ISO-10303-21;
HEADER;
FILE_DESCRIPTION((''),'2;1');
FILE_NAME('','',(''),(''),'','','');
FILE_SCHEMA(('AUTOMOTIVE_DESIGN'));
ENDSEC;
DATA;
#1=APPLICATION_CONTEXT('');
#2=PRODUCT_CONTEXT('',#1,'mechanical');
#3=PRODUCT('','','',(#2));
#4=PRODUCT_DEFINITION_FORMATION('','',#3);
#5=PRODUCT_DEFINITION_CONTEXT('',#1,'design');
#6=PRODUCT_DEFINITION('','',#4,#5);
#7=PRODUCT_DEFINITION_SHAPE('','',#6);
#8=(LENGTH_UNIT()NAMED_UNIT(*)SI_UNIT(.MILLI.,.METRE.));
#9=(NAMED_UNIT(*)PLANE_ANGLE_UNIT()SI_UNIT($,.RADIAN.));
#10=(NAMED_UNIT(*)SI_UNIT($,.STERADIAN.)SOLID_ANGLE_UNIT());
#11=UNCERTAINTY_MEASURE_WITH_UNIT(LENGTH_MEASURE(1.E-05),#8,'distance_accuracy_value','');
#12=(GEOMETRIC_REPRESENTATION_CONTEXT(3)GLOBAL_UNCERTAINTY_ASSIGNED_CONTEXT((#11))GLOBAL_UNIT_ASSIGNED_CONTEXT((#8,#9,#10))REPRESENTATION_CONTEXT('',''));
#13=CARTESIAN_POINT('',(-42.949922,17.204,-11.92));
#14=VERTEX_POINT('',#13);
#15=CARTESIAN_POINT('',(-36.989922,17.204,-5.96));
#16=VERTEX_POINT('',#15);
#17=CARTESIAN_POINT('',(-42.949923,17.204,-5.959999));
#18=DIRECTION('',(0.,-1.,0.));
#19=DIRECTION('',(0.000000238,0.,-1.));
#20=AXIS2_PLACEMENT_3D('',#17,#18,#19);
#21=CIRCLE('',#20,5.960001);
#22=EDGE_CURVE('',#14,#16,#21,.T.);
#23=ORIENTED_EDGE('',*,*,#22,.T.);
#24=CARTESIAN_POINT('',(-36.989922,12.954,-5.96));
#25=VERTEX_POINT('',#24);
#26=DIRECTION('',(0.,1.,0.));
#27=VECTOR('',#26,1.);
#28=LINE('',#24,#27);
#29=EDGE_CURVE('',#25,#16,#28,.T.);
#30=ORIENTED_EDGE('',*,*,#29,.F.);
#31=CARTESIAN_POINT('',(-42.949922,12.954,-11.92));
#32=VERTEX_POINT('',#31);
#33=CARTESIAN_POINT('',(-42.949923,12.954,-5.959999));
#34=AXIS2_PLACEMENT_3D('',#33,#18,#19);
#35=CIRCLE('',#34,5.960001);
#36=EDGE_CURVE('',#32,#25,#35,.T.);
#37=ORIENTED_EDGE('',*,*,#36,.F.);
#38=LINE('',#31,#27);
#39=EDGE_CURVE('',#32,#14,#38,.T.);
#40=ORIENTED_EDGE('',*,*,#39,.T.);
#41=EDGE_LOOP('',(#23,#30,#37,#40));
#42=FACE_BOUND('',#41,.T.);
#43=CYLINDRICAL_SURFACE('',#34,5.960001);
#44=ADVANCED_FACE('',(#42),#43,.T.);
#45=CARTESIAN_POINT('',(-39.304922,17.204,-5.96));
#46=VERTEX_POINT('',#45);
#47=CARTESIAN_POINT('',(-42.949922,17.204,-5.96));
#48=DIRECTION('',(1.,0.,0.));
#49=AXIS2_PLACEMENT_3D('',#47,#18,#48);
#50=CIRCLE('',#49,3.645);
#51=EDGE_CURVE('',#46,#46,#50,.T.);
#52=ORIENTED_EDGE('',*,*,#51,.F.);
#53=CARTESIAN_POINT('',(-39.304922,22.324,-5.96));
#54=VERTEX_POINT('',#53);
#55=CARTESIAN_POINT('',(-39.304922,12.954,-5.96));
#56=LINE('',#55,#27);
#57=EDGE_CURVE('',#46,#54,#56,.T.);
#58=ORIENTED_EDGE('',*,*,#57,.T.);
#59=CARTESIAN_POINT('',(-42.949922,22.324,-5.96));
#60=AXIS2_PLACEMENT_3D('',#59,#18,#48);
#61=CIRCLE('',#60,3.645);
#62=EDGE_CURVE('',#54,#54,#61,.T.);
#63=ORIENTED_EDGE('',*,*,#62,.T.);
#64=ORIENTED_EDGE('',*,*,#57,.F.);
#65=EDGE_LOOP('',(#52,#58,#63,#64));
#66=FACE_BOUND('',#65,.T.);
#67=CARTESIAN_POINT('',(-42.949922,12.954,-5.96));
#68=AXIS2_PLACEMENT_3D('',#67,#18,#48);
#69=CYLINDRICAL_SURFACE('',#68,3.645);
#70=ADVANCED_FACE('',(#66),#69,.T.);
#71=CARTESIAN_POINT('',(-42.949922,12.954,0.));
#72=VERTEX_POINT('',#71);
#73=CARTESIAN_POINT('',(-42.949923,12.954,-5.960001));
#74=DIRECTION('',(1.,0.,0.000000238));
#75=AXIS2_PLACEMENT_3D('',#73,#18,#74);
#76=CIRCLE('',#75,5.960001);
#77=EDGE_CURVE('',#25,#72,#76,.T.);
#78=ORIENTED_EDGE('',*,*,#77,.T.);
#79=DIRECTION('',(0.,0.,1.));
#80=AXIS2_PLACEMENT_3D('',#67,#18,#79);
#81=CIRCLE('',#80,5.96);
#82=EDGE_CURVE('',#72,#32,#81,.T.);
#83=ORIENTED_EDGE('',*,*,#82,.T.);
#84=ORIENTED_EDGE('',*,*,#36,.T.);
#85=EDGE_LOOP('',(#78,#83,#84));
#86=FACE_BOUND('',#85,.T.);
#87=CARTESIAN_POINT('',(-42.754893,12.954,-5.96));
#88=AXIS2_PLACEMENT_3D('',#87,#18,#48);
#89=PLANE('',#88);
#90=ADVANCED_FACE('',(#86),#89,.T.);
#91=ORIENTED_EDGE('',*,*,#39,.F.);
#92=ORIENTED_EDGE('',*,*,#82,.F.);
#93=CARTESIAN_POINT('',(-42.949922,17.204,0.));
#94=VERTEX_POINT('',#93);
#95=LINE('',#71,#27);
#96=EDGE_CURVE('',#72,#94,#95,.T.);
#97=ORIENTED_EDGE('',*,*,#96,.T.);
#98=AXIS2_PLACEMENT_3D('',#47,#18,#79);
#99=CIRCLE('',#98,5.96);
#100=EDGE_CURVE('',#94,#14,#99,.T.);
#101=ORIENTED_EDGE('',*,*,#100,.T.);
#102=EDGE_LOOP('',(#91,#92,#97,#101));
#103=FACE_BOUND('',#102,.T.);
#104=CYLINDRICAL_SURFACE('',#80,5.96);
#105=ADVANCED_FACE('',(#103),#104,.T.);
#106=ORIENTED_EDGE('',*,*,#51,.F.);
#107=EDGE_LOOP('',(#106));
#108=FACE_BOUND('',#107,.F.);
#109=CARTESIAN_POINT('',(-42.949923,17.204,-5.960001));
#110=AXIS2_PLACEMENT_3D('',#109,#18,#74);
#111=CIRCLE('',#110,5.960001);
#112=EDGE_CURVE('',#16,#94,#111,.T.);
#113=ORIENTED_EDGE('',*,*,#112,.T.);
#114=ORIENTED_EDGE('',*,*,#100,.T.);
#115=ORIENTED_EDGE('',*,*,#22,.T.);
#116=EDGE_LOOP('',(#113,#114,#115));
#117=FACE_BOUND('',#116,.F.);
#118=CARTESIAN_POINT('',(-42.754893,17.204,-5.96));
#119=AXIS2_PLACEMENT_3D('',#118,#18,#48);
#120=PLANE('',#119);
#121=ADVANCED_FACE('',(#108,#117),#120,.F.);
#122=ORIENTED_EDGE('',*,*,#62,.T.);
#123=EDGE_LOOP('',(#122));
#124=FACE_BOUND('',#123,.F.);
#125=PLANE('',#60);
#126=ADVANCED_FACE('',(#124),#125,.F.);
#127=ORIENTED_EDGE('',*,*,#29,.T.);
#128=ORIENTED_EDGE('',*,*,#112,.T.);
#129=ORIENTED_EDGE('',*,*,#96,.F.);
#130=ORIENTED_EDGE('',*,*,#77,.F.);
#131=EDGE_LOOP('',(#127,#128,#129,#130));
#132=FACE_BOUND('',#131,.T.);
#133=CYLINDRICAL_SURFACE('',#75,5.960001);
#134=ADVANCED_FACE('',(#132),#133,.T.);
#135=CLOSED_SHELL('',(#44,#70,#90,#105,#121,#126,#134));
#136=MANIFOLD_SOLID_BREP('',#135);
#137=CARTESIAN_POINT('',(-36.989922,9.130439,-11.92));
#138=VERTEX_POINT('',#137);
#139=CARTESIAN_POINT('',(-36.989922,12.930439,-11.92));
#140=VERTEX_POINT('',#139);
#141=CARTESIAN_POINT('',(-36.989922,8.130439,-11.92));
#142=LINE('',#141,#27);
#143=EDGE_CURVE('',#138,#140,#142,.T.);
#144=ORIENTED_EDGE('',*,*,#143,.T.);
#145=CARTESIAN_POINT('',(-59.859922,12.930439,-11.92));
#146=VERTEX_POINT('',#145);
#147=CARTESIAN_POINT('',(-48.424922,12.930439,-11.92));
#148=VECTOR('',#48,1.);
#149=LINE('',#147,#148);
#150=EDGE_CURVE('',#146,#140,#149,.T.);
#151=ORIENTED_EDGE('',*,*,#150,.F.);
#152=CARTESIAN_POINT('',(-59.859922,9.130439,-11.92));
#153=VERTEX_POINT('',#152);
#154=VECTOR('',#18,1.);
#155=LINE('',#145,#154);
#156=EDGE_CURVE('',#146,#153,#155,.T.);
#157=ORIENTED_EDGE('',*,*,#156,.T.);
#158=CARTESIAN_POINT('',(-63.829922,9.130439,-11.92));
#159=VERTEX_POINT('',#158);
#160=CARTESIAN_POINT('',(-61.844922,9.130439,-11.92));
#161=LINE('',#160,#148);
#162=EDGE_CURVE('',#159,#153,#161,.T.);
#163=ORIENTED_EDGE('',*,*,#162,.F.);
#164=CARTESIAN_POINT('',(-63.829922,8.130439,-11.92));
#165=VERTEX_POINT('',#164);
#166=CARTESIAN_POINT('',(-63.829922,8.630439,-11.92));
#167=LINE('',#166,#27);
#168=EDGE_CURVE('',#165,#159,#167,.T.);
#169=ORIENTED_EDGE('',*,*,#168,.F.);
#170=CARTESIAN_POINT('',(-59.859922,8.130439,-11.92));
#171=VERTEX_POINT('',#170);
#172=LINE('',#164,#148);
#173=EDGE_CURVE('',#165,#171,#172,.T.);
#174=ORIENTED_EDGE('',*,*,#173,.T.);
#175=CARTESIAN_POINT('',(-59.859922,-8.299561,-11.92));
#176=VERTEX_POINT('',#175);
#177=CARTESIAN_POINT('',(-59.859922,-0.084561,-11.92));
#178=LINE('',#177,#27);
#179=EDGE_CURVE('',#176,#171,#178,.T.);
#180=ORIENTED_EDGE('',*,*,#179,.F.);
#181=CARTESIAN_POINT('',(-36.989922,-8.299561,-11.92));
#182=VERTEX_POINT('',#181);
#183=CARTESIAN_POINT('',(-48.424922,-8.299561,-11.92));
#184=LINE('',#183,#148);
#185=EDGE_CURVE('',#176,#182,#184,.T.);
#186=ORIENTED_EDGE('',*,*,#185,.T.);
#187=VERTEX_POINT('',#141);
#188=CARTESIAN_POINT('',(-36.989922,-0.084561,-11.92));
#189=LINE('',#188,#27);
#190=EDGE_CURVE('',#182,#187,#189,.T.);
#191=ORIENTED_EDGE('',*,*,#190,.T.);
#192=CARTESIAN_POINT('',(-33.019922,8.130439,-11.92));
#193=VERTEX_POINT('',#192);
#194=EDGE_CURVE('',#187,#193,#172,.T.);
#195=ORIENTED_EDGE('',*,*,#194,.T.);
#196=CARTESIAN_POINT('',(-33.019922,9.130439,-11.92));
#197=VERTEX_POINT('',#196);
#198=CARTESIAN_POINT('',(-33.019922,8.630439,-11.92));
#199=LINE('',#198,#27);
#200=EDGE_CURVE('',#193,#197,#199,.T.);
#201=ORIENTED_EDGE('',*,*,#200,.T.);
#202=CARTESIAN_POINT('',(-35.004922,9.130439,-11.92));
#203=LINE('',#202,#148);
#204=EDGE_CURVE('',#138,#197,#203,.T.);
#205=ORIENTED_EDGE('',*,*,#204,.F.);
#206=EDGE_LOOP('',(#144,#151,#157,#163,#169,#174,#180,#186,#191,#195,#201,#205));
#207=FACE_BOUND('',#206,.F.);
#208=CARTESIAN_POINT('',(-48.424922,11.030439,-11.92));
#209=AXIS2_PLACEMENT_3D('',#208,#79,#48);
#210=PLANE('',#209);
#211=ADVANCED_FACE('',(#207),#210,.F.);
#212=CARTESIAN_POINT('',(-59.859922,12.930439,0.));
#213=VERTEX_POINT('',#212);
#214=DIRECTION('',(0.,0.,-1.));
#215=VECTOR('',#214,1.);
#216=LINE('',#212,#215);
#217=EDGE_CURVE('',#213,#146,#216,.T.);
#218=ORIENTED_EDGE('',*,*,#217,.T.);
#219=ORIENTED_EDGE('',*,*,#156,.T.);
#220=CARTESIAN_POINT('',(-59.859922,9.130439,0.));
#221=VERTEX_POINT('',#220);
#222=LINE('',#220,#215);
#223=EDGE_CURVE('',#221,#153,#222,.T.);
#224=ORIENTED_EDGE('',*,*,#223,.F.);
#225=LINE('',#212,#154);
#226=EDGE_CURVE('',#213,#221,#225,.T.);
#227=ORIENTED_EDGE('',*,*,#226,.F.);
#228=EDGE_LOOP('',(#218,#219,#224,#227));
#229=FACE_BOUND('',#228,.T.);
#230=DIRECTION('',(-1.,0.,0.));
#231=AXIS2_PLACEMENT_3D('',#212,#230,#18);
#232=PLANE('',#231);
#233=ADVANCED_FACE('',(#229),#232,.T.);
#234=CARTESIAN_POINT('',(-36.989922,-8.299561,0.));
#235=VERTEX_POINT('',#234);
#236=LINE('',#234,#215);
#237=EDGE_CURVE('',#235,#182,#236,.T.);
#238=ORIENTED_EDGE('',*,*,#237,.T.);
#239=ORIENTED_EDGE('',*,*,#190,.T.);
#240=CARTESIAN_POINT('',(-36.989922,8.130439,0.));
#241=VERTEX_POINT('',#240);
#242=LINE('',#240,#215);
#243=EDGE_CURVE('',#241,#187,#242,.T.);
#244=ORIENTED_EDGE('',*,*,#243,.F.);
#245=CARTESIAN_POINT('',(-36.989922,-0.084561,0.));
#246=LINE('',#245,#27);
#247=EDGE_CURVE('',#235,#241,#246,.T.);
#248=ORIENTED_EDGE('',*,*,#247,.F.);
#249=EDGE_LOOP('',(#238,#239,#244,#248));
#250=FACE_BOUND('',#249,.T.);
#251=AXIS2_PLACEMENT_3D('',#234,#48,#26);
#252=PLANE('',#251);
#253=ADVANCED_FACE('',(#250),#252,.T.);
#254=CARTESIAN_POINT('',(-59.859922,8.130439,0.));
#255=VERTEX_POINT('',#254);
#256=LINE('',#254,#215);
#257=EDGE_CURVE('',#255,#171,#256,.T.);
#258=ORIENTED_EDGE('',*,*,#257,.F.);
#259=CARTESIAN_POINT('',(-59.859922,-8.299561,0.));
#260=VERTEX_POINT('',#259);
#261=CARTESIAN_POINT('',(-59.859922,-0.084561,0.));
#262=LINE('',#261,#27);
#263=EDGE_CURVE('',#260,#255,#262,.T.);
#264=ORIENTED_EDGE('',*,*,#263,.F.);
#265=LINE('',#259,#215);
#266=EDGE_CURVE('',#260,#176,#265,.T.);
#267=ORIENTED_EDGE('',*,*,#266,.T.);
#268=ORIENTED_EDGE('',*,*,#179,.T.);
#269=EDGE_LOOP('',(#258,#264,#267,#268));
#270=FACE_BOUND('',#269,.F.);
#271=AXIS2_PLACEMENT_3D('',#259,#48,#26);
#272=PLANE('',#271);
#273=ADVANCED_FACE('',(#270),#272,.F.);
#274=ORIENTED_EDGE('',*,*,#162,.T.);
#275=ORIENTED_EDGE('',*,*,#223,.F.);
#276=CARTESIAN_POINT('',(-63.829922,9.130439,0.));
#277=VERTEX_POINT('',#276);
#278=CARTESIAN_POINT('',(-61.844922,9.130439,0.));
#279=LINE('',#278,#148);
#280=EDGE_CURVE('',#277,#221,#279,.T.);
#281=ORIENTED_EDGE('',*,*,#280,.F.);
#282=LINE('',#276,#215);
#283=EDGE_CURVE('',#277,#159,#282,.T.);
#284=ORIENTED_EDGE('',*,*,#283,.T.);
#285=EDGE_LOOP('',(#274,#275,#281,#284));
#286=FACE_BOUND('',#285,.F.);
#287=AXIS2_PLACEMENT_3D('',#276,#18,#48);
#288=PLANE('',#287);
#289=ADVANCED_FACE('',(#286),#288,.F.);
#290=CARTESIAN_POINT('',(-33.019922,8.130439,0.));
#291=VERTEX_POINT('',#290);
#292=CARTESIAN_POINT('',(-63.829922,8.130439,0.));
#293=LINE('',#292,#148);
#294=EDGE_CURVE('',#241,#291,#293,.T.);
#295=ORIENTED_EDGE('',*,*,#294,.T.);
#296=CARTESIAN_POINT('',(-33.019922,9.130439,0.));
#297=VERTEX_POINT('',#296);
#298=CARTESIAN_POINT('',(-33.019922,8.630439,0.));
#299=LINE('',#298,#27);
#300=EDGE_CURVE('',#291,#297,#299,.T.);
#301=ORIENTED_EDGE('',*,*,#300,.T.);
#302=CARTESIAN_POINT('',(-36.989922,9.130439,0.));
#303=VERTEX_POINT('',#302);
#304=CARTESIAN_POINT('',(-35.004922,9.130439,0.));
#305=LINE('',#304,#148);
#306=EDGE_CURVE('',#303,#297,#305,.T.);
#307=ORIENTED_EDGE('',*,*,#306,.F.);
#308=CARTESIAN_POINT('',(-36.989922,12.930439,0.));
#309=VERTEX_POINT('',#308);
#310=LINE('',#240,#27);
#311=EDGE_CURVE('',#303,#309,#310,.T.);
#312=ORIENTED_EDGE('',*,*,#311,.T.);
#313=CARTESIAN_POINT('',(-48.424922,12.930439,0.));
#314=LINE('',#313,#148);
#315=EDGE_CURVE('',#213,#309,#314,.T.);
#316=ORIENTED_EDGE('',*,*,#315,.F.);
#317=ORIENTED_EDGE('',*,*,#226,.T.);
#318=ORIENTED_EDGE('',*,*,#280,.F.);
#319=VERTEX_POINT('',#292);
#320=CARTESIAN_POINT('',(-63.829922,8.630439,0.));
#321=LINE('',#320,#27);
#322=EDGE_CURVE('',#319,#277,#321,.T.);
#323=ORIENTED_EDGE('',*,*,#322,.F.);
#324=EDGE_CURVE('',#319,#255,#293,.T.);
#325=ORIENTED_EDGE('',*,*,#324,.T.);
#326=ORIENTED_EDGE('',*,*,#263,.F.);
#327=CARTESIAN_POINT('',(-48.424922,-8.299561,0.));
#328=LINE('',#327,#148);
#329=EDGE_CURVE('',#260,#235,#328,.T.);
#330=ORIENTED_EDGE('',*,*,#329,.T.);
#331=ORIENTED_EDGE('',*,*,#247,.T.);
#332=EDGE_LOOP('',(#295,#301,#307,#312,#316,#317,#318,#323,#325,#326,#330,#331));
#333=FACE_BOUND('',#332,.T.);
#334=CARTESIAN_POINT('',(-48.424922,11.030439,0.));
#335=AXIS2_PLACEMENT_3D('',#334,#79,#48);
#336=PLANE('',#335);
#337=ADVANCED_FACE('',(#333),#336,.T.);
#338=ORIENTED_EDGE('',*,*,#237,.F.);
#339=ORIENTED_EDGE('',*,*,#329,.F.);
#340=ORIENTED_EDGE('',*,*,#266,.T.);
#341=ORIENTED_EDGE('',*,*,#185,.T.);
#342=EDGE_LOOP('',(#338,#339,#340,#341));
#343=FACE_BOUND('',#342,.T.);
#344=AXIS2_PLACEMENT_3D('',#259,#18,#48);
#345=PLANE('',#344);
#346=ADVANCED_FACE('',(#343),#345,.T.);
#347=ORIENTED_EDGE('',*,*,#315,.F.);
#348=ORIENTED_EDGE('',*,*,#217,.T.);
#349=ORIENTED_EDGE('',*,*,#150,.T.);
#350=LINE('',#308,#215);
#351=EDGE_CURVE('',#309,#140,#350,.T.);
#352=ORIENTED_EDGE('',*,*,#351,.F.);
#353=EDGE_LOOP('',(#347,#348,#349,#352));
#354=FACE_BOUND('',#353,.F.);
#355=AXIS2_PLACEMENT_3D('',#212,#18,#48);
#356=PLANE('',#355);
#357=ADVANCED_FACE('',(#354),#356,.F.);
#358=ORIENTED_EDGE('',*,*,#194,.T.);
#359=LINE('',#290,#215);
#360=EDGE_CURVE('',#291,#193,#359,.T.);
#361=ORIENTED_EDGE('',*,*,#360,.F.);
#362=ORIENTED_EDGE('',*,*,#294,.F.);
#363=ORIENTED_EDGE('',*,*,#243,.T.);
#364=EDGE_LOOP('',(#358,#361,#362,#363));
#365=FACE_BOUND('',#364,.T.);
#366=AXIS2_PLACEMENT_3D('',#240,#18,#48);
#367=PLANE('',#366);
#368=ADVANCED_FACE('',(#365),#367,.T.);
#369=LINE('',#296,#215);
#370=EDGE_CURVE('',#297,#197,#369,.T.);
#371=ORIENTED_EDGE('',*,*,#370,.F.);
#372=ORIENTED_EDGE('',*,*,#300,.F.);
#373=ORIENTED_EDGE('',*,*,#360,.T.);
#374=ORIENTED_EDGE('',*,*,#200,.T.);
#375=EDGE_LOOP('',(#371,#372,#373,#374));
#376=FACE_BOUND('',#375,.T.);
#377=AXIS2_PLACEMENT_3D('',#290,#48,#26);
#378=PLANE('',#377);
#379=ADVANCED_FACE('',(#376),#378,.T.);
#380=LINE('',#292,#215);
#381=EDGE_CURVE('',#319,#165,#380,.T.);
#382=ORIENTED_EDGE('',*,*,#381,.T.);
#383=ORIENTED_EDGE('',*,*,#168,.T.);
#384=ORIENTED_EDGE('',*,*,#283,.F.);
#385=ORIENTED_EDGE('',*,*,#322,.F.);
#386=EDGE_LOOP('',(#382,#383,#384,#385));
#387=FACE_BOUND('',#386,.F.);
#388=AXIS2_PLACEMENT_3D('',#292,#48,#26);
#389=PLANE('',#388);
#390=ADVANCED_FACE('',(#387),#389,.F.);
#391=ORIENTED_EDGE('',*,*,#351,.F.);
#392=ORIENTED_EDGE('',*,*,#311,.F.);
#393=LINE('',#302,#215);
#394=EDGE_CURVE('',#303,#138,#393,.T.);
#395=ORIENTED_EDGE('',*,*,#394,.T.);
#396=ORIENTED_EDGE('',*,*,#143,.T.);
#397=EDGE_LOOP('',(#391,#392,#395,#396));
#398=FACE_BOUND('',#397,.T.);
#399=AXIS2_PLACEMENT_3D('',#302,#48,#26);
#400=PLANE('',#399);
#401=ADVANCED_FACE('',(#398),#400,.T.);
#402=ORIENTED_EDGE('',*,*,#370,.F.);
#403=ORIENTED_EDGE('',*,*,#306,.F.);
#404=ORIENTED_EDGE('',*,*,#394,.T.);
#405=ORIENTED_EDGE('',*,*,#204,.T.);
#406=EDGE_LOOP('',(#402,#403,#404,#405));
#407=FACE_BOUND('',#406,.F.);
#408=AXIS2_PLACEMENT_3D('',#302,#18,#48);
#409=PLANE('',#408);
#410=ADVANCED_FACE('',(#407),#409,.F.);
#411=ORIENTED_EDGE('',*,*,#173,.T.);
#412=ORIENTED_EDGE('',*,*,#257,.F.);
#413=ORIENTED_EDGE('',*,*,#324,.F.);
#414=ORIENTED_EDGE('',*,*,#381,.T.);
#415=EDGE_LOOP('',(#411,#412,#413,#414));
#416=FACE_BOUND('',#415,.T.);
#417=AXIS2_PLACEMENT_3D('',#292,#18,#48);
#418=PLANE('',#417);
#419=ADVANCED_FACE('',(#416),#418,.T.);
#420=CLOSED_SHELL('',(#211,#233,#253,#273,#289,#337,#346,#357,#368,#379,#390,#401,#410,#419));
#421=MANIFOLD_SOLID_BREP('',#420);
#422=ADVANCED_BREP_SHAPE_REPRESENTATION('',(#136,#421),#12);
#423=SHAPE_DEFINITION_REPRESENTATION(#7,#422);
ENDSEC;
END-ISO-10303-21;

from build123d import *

# Parameters (mm, degrees)
F0_W     = 22.87
F0_H     = 3.8
F0_H_2   = 1
F0_W_2   = 3.97
F0_H_3   = 16.43
F3_DEPTH = 11.92
F2_R     = 3.645
F4_DEPTH = 9.37
F5_DEPTH = 4.25


with BuildPart() as f3:
    # F0 (on Top) → F3 (new body)
    with BuildSketch(Plane.XY):
        with Locations((-48.424922, 11.030439)):
            Rectangle(F0_W, F0_H)
        with Locations((-48.424922, 8.630439)):
            Rectangle(F0_W, F0_H_2)
        with Locations((-35.004922, 8.630439)):
            Rectangle(F0_W_2, F0_H_2)
        with Locations((-61.844922, 8.630439)):
            Rectangle(F0_W_2, F0_H_2)
        with Locations((-48.424922, -0.084561)):
            Rectangle(F0_W, F0_H_3)
    extrude(amount=-F3_DEPTH)


with BuildPart() as f4:
    # F2 (on offset) → F4 (new body)
    with BuildSketch(Plane.XZ.offset(-12.954)):
        with Locations((-42.949922, -5.96)):
            Circle(F2_R)
    extrude(amount=-F4_DEPTH)

    # F2 (on offset) → F5 (join)
    with BuildSketch(Plane.XZ.offset(-12.954)):
        with BuildLine():
            ThreePointArc((-42.949922, -11.92), (-38.735566, -10.174356), (-36.989922, -5.96))
            ThreePointArc((-36.989922, -5.96), (-38.735566, -1.745644), (-42.949922, 0))
            ThreePointArc((-42.949922, 0), (-48.909922, -5.96), (-42.949922, -11.92))
        make_face()
        with Locations((-42.949922, -5.96)):
            Circle(F2_R, mode=Mode.SUBTRACT)
    extrude(amount=-F5_DEPTH)


solid = Compound([f3.part, f4.part])
